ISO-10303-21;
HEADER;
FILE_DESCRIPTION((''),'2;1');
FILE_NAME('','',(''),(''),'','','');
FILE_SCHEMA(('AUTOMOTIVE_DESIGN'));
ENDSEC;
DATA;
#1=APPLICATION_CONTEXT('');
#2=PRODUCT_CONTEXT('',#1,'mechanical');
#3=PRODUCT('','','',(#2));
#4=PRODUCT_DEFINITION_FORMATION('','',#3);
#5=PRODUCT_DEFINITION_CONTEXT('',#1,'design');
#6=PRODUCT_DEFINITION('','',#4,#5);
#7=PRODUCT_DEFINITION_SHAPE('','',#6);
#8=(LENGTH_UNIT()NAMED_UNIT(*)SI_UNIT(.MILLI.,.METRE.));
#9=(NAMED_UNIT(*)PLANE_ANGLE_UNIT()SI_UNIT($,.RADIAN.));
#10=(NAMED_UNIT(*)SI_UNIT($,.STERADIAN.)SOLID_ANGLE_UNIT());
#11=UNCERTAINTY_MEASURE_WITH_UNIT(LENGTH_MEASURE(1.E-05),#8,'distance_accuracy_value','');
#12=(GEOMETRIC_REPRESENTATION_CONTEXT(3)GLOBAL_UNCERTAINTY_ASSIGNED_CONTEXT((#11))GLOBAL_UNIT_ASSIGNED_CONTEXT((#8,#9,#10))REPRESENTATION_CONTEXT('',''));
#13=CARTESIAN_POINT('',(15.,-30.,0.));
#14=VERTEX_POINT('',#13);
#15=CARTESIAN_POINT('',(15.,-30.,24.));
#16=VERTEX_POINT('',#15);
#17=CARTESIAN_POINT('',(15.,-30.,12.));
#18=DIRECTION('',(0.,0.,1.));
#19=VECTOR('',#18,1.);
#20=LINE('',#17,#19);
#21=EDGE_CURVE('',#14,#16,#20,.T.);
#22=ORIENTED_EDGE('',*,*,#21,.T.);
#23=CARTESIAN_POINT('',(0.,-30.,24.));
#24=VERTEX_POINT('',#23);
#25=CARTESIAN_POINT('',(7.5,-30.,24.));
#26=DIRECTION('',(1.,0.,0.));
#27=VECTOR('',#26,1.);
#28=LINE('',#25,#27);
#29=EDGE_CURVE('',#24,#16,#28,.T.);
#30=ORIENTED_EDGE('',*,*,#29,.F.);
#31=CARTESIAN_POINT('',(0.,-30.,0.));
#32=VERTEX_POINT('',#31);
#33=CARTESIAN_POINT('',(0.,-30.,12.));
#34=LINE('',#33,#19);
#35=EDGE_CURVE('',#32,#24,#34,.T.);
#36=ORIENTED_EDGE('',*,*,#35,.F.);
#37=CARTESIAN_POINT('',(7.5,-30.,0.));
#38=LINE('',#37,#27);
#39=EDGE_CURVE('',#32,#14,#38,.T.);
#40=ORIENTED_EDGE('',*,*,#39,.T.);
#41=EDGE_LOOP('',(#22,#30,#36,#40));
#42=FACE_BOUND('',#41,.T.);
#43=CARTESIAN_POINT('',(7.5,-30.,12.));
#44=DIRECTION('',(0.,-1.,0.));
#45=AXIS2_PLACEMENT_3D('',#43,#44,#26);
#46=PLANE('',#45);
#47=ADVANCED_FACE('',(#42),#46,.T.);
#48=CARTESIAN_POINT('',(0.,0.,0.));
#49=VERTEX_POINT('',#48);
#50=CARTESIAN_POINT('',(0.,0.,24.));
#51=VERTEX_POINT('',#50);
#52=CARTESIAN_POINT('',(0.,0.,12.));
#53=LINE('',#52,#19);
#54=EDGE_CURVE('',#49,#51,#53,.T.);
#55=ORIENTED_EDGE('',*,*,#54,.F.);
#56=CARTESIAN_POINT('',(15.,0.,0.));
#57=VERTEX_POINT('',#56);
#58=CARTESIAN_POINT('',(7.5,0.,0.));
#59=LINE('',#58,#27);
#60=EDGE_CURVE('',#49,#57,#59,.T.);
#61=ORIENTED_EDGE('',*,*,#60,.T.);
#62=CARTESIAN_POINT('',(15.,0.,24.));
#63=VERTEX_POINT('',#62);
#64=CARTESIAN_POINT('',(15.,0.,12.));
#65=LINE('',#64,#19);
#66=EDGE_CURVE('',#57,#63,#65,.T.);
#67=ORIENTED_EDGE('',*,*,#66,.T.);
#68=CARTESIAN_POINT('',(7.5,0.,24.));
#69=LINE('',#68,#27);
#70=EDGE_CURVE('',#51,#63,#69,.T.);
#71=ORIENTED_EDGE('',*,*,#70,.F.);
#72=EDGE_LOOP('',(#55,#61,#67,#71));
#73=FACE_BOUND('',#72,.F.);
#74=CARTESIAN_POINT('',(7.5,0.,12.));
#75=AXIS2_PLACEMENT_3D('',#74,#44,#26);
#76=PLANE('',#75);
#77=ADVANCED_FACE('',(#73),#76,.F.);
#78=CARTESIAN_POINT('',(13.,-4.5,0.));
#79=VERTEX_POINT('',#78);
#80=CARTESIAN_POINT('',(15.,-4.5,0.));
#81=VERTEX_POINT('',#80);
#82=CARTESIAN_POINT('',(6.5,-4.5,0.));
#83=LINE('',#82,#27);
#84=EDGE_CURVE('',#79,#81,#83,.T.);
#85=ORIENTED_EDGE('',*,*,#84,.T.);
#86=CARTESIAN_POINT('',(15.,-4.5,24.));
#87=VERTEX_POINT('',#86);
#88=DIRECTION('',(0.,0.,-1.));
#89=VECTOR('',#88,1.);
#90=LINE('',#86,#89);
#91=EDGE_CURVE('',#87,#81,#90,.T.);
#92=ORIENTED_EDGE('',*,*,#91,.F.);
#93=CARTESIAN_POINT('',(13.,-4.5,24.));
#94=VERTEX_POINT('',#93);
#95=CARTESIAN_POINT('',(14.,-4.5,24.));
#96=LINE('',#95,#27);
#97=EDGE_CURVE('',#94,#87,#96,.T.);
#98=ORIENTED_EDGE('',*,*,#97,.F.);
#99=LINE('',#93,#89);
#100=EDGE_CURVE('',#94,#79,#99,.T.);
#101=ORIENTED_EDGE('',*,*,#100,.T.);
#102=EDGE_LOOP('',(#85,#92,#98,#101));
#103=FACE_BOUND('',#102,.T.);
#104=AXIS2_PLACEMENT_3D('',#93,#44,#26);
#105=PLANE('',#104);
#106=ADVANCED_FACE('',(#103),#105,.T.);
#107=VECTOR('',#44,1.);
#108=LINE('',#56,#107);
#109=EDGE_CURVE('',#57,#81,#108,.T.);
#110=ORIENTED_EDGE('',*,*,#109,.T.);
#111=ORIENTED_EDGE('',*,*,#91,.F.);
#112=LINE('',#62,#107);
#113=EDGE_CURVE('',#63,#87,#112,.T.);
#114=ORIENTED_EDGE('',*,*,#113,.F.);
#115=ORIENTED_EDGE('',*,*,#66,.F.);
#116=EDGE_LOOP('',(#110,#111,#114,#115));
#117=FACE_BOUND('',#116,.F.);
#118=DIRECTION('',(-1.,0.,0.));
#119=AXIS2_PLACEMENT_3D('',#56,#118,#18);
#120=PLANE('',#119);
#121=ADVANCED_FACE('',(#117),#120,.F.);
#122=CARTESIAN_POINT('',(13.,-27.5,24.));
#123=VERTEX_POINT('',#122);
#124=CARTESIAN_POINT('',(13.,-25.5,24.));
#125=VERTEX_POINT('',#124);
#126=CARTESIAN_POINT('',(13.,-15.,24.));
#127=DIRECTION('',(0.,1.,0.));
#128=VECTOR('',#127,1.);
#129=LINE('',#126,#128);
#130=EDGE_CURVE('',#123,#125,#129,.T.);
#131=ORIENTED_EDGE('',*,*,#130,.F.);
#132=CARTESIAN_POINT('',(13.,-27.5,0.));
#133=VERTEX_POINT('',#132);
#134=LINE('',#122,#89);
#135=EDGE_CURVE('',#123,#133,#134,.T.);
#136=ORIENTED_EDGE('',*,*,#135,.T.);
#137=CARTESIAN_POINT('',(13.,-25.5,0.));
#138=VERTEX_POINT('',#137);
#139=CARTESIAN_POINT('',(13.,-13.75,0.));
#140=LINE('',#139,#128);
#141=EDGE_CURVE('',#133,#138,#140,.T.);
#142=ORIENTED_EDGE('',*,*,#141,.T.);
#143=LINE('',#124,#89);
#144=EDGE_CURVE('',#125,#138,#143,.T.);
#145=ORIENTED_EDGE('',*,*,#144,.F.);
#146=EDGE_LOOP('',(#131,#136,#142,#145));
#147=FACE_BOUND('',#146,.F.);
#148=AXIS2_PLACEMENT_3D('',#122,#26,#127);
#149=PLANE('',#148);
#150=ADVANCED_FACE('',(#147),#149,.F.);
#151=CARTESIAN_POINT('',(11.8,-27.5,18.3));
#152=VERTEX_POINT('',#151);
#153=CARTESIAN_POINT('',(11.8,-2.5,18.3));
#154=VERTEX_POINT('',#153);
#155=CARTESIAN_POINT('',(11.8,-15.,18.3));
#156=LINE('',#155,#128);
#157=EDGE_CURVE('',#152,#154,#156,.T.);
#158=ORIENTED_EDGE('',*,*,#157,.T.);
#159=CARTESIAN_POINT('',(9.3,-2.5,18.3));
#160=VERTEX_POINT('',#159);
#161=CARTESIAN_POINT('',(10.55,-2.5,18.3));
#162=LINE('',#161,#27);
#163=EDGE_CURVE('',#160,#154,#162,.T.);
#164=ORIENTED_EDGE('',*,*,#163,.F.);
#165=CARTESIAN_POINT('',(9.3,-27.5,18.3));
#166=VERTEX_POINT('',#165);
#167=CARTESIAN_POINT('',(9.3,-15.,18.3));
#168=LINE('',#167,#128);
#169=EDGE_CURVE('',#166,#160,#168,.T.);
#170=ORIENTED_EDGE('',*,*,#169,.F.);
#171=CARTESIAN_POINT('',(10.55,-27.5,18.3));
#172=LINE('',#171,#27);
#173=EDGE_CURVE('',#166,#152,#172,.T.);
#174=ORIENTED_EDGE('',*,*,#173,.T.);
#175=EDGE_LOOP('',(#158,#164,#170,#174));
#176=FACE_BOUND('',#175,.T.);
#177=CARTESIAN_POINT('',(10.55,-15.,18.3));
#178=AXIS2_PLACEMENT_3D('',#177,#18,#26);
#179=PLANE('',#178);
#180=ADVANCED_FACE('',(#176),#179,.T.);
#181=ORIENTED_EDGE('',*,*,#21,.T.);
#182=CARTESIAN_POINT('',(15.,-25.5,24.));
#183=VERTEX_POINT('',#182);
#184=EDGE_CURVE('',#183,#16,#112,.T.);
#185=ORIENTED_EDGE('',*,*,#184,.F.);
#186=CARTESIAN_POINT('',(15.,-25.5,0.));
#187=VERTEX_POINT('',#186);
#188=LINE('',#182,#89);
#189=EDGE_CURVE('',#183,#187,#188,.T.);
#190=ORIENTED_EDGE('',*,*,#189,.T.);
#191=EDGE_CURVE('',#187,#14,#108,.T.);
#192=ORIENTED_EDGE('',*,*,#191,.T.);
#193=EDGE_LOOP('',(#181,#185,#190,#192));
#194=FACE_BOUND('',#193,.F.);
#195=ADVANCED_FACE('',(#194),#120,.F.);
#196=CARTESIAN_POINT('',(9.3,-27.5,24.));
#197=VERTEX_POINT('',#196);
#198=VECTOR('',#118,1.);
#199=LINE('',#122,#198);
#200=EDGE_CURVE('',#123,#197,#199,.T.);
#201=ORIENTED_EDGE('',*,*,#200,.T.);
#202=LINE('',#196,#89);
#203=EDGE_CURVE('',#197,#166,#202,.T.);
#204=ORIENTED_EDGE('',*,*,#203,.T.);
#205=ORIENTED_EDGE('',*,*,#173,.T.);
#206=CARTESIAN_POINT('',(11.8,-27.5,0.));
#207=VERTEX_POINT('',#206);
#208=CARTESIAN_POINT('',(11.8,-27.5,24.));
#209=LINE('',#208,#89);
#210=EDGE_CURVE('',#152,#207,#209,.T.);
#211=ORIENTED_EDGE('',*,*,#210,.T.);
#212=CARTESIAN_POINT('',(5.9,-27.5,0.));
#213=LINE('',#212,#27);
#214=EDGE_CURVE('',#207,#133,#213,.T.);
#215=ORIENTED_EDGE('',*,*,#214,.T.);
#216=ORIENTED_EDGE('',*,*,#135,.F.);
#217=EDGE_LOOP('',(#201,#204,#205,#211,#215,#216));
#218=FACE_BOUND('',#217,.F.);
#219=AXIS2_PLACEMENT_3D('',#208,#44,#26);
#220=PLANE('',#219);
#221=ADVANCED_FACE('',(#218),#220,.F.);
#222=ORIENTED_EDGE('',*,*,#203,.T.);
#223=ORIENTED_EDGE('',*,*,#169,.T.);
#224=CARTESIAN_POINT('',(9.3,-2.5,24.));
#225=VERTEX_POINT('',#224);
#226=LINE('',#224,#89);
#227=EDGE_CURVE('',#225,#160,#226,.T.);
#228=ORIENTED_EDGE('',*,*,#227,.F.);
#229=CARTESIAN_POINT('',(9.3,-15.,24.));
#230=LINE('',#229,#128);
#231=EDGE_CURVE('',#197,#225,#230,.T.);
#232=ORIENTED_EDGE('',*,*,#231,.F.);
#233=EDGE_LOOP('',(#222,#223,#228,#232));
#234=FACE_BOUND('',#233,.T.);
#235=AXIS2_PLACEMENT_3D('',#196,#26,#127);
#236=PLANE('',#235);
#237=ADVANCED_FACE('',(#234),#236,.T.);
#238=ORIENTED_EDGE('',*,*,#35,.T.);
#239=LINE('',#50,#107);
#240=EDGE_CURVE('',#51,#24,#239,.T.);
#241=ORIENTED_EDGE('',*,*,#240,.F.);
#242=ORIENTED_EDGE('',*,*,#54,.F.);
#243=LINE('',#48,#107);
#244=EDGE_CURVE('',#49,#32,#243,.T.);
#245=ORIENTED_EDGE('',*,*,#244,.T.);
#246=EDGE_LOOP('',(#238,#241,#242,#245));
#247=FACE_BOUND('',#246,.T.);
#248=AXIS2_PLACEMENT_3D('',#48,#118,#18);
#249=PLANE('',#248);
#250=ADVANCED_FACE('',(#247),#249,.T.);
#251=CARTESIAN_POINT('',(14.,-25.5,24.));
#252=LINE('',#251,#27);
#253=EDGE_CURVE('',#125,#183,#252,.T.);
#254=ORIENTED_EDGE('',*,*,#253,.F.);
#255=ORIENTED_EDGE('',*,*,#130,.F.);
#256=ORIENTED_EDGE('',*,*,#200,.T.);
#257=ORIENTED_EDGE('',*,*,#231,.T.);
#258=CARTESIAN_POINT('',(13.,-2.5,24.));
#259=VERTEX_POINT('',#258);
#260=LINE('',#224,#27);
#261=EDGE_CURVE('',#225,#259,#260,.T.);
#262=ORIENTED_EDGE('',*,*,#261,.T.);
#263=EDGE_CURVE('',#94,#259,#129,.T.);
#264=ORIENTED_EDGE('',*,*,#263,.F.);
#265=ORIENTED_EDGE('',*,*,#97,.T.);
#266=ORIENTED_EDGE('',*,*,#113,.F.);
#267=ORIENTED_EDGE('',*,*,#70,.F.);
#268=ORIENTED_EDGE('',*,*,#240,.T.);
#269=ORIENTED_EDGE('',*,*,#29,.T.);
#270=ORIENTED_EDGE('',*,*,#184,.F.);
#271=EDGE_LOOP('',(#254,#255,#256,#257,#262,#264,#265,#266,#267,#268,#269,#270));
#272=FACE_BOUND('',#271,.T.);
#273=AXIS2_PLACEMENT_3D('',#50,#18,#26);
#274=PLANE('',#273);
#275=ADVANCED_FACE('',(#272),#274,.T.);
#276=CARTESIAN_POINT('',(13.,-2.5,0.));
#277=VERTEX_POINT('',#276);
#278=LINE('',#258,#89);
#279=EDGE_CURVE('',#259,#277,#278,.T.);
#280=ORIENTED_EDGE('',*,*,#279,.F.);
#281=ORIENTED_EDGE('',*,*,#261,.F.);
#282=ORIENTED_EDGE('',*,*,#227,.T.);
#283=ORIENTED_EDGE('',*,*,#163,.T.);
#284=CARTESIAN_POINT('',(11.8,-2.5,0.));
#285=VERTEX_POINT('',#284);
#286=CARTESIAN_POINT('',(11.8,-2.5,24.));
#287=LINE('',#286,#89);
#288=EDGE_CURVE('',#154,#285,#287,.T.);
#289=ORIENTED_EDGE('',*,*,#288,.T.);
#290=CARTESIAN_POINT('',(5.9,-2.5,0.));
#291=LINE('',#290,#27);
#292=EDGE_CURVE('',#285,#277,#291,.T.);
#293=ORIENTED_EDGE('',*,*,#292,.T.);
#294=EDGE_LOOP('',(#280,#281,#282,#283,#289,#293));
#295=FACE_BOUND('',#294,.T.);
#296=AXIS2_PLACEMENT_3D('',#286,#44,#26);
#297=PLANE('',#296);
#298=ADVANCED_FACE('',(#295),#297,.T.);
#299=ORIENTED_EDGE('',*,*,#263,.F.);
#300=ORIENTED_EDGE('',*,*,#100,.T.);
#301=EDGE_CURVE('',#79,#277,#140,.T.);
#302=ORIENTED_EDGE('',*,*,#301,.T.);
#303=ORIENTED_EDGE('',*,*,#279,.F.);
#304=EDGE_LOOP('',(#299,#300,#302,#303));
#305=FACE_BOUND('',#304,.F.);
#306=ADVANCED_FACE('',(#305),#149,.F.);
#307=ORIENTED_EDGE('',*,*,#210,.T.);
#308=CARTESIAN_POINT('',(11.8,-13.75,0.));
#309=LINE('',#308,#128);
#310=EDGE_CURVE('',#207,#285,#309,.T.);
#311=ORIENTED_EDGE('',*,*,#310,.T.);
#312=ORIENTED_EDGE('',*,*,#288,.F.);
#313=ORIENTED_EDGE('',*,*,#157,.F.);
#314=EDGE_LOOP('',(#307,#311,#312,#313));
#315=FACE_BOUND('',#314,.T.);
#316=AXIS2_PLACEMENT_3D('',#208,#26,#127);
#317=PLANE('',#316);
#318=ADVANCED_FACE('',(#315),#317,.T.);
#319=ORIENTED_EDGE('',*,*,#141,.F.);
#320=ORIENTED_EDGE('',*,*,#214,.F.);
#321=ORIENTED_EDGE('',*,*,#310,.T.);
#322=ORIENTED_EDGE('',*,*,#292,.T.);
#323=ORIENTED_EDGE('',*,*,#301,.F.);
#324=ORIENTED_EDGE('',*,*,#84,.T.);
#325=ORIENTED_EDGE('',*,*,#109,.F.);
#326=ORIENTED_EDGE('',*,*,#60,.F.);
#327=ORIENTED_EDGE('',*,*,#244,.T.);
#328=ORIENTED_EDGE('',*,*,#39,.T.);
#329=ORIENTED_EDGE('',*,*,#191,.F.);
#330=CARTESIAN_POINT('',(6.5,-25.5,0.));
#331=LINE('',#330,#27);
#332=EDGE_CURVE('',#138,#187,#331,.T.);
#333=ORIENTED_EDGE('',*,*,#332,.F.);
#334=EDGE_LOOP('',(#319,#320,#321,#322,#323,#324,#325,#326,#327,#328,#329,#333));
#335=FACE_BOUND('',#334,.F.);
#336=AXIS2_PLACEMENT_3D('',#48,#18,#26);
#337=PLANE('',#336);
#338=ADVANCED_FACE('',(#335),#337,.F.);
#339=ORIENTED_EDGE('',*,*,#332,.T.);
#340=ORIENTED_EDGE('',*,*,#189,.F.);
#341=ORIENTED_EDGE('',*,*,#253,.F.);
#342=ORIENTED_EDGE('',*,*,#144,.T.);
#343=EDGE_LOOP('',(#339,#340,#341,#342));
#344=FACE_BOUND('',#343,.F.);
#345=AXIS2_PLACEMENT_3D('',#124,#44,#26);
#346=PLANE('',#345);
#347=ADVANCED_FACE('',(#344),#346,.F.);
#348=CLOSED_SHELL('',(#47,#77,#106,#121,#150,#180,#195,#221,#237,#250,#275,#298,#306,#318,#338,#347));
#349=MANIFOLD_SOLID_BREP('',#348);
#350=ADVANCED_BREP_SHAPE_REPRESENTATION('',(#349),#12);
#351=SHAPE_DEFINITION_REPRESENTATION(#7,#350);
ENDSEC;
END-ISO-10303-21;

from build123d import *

# Parameters (mm, degrees)
F0_W     = 15
F0_H     = 24
F1_DEPTH = 30
F2_W     = 1.2
F2_H     = 25
F3_DEPTH = 24.001
F4_W     = 2
F4_H     = 21
F5_DEPTH = 24.001
F6_W     = 2.5
F6_H     = 25
F7_DEPTH = 5.7


with BuildPart() as f1:
    # F0 (on Front) → F1 (new body)
    with BuildSketch(Plane.XZ):
        with Locations((7.5, 12)):
            Rectangle(F0_W, F0_H)
    extrude(amount=F1_DEPTH)

    # F2 (on face) → F3 (cut, through all)
    with BuildSketch(Plane.XY.offset(24)):
        with Locations((12.4, -15)):
            Rectangle(F2_W, F2_H)
    extrude(amount=-F3_DEPTH, mode=Mode.SUBTRACT)

    # F4 (on face) → F5 (cut, through all)
    with BuildSketch(Plane.XY.offset(24)):
        with Locations((14, -15)):
            Rectangle(F4_W, F4_H)
    extrude(amount=-F5_DEPTH, mode=Mode.SUBTRACT)

    # F6 (on face) → F7 (cut)
    with BuildSketch(Plane.XY.offset(24)):
        with Locations((10.55, -15)):
            Rectangle(F6_W, F6_H)
    extrude(amount=-F7_DEPTH, mode=Mode.SUBTRACT)


solid = f1.part
